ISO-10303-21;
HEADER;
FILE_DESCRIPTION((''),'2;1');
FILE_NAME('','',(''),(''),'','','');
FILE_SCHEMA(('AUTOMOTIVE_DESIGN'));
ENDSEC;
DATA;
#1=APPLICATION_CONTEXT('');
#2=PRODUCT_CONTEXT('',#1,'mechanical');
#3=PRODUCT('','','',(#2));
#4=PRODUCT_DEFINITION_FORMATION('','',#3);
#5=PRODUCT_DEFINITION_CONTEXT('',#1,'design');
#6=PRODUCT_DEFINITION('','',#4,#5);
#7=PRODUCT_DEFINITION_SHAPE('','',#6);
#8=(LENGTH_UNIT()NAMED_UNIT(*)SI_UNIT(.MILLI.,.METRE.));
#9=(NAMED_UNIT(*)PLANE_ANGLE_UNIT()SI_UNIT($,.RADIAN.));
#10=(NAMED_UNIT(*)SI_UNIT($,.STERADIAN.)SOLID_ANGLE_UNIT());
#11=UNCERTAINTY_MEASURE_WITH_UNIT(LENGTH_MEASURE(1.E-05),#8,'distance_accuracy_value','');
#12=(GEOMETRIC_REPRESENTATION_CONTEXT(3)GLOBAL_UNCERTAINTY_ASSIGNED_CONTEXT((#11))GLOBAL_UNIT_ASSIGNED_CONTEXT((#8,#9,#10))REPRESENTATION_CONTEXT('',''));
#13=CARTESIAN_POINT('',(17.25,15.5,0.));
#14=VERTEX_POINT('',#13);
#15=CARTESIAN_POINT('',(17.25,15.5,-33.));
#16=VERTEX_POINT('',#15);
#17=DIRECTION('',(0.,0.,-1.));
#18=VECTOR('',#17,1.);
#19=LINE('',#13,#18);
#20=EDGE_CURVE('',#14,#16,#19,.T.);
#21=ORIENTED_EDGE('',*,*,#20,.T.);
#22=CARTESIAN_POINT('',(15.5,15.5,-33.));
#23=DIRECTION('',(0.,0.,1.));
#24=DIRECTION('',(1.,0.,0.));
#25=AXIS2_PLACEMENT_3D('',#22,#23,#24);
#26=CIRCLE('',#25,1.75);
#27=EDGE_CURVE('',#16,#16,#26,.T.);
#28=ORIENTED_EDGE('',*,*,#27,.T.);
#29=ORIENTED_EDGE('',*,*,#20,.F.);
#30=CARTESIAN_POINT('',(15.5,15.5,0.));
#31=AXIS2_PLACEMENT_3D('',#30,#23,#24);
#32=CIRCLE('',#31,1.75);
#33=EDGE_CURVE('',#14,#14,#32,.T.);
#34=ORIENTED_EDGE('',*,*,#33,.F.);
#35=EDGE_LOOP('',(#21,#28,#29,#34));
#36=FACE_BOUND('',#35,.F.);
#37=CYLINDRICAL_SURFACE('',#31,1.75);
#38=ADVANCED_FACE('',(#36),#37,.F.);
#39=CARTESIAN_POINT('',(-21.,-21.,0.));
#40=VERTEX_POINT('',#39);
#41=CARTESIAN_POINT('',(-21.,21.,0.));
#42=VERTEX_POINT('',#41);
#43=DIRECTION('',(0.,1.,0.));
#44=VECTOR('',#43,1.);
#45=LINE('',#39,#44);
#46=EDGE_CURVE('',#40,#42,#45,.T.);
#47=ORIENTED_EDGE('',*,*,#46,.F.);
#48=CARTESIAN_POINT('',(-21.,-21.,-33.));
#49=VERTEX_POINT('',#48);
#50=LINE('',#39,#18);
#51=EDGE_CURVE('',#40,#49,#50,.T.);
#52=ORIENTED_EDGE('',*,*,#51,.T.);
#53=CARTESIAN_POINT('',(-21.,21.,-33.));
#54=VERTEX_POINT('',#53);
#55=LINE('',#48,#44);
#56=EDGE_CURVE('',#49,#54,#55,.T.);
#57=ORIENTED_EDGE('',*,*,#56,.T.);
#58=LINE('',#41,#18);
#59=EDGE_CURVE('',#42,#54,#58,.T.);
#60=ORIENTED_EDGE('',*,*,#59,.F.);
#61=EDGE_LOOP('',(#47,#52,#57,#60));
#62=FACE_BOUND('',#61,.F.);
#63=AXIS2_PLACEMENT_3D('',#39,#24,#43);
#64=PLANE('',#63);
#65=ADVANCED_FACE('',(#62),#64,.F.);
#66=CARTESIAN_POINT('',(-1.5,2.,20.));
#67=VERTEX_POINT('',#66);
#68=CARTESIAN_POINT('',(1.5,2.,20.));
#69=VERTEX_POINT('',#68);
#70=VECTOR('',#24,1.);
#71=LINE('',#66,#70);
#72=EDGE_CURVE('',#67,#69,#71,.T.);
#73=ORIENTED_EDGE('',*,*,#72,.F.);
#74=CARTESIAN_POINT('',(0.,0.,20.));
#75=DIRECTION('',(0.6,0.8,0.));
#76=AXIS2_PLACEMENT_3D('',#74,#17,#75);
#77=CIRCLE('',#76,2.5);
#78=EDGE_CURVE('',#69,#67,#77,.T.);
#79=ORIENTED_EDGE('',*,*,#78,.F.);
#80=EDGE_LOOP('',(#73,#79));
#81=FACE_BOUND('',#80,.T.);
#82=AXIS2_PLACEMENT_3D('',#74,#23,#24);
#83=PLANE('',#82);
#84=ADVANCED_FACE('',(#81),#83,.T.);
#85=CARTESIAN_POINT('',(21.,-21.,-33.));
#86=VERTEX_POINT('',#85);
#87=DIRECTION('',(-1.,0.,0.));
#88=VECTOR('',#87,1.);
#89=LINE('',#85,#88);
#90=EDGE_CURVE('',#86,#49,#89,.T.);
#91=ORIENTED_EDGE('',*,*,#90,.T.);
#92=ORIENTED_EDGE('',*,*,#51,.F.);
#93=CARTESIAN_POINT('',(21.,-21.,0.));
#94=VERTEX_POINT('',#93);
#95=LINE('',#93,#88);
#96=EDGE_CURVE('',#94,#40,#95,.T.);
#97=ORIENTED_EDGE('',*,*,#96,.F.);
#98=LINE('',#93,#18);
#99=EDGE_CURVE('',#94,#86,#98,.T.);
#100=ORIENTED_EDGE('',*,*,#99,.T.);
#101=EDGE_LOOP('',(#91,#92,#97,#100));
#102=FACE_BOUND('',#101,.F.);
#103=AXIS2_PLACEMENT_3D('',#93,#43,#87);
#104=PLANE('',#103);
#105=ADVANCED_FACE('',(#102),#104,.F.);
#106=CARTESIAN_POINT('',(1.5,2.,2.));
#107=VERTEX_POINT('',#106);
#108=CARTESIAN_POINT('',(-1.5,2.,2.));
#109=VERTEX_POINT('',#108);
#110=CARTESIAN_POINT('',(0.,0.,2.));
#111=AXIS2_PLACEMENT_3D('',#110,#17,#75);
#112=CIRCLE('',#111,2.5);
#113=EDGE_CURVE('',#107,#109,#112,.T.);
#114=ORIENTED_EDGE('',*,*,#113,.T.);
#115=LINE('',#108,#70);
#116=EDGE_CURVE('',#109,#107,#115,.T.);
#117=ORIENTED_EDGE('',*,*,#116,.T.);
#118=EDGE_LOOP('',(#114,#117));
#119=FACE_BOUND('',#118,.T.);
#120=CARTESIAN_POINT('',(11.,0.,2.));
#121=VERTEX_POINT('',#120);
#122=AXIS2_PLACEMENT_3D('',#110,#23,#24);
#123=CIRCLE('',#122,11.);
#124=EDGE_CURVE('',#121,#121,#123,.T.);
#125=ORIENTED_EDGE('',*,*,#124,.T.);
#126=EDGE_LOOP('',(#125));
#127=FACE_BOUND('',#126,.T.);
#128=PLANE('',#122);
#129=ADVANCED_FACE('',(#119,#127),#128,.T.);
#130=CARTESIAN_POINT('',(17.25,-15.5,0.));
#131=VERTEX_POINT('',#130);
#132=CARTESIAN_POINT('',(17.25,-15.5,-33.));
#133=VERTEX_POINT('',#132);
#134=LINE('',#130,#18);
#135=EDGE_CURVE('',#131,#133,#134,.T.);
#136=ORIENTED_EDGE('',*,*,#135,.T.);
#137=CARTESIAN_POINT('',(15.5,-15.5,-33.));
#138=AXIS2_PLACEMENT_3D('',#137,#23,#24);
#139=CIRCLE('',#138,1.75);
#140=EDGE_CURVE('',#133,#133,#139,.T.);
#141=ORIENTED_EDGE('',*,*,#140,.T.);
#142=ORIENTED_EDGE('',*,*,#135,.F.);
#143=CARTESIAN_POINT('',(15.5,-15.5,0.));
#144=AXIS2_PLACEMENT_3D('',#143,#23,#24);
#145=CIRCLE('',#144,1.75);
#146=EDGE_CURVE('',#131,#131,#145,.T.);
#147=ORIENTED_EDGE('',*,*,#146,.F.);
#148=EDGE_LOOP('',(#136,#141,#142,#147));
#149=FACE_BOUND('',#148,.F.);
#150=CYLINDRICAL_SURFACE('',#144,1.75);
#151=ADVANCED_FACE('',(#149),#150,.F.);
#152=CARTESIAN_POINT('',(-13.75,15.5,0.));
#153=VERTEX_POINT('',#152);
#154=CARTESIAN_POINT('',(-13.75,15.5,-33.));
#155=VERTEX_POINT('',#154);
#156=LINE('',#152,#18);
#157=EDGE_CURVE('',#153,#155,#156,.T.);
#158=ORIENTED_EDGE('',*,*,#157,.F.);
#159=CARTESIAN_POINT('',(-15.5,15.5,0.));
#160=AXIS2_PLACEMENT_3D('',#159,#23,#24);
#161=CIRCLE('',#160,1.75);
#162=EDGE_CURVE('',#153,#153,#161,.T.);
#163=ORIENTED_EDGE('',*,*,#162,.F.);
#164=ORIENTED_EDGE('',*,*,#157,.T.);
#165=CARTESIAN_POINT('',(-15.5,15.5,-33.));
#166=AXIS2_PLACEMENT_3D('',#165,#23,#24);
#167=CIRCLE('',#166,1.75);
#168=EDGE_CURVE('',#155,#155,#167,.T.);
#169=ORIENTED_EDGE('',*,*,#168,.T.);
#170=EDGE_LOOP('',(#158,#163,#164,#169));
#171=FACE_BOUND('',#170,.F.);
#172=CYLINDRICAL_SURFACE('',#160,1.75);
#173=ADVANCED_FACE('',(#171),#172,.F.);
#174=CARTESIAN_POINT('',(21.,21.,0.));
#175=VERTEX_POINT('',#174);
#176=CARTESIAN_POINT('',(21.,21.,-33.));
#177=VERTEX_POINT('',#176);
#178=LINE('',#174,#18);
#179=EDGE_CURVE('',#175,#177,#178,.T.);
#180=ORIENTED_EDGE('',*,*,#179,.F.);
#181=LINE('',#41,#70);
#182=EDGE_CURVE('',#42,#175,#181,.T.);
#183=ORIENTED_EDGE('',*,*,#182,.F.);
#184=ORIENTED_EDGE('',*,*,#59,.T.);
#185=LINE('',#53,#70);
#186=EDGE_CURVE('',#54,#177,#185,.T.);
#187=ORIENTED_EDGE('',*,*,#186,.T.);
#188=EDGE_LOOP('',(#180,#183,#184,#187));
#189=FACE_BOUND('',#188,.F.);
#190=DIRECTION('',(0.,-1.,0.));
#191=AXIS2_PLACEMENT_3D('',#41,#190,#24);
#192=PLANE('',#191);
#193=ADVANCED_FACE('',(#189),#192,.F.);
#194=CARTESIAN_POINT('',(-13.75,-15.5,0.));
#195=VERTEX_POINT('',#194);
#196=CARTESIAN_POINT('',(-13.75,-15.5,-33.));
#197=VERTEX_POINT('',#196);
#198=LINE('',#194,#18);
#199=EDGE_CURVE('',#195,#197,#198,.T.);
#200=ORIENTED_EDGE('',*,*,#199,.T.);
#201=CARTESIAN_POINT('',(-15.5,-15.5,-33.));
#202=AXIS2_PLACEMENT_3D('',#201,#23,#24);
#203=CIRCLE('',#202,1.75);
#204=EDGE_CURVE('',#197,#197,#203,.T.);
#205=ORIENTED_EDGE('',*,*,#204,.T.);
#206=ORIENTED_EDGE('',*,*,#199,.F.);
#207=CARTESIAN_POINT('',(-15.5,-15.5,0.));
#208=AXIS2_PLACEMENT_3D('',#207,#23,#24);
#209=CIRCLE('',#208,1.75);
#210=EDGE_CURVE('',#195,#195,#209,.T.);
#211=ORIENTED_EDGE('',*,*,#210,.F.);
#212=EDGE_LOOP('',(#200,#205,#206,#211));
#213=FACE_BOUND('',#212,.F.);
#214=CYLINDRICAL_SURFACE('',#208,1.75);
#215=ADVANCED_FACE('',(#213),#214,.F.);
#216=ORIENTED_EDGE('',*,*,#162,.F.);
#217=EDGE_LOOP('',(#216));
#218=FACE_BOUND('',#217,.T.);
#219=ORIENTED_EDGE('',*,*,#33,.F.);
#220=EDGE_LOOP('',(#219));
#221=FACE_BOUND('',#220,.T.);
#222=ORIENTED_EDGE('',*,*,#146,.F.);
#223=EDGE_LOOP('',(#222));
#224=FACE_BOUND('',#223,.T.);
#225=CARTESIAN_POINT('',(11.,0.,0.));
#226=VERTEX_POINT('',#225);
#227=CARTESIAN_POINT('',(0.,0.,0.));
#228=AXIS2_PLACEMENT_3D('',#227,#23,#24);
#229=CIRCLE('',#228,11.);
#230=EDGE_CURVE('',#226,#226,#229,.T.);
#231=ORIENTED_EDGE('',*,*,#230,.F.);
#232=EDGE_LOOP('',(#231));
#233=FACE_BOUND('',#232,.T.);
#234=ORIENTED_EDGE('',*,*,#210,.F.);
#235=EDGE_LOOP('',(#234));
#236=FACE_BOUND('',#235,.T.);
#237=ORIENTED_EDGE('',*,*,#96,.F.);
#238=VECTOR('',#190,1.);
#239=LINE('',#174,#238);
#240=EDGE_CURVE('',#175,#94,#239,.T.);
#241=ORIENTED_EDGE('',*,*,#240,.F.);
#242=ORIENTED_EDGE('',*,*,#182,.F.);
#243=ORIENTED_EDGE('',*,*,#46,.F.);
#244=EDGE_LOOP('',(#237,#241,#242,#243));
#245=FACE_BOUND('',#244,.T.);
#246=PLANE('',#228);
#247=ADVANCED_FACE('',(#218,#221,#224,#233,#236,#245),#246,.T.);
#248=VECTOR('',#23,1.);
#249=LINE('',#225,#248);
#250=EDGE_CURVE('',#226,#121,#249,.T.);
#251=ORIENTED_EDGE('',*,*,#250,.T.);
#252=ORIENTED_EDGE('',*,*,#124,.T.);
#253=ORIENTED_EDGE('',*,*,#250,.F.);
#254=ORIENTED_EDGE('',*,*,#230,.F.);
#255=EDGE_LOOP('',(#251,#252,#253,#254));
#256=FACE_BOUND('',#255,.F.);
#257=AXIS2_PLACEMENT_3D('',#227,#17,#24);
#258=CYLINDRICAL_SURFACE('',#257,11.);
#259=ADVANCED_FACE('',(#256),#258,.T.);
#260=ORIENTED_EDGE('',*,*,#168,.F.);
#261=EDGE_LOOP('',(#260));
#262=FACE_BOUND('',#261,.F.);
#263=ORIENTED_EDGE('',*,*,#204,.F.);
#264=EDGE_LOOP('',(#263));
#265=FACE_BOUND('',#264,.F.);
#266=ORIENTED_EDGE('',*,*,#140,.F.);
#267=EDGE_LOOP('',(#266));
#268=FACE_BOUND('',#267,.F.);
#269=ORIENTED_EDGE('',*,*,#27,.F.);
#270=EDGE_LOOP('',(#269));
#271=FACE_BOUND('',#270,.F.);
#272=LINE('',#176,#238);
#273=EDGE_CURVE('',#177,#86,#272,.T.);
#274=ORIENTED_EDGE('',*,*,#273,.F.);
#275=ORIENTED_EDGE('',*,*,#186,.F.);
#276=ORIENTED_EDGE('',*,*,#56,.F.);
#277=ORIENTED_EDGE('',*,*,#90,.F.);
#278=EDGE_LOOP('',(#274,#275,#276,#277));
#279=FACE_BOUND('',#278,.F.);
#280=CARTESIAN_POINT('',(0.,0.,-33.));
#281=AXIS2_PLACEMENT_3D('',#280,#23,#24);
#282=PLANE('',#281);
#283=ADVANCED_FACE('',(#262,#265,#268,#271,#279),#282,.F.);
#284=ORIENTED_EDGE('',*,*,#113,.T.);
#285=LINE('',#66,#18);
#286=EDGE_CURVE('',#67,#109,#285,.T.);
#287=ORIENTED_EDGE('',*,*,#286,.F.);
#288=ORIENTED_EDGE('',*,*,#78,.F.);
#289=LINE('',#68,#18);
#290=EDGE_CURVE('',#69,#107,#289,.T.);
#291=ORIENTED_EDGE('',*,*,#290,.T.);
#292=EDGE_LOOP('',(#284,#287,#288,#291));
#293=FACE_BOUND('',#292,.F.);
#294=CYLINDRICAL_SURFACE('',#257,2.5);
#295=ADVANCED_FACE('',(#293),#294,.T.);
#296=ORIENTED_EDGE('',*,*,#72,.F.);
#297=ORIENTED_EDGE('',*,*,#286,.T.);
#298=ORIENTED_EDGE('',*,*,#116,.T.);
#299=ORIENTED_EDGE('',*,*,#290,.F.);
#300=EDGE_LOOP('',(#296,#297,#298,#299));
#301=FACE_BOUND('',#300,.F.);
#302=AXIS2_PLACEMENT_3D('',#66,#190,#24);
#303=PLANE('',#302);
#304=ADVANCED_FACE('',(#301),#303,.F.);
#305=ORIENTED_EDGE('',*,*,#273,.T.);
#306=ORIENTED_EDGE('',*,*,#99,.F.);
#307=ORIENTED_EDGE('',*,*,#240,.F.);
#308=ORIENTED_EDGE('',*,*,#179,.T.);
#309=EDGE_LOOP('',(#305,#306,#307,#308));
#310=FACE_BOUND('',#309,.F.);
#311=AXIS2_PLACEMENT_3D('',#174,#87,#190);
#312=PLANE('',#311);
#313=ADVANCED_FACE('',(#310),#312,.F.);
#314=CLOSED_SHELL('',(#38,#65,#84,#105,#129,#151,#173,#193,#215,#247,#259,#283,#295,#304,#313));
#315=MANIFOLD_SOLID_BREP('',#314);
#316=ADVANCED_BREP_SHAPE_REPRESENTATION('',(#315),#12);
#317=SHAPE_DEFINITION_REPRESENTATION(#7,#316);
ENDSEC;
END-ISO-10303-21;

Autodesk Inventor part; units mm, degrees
ref_plane "YZ Plane" through (0, 0, 0) normal (1, 0, 0) x (0, 1, 0)
ref_plane "XZ Plane" through (0, 0, 0) normal (0, 1, 0) x (-1, 0, 0)
ref_plane "XY Plane" through (0, 0, 0) normal (0, 0, 1) x (1, 0, 0)
sketch "Sketch1" plane through (0, 0, 0) normal (0, 0, 1) x (1, 0, 0)
  circle A0 centre (0, 0) radius 2.5
  line L0 (-15.5, 15.5) -> (15.5, 15.5) construction
  line L1 (15.5, 15.5) -> (15.5, -15.5) construction
  line L2 (15.5, -15.5) -> (-15.5, -15.5) construction
  line L3 (-15.5, -15.5) -> (-15.5, 15.5) construction
  line L4 (-15.5, 15.5) -> (15.5, -15.5) construction
  circle A1 centre (-15.5, 15.5) radius 1.75
  circle A2 centre (15.5, 15.5) radius 1.75
  circle A3 centre (15.5, -15.5) radius 1.75
  circle A4 centre (-15.5, -15.5) radius 1.75
  line L5 (-21, 21) -> (21, 21)
  line L6 (21, 21) -> (21, -21)
  line L7 (21, -21) -> (-21, -21)
  line L8 (-21, -21) -> (-21, 21)
  line L9 (-21, -21) -> (21, 21) construction
  dimension "d0" = 5
  dimension "d1" = 31
  dimension "d2" = 3.5
  dimension "d3" = 42
extrude "Extrusion1" add sketch "Sketch1" against normal blind 33 contours A0 | L5 L6 L7 L8
extrude "Extrusion2" add sketch "Sketch1" along normal blind 20 contours A0
sketch "Sketch2" plane through (0, 0, 0) normal (0, 0, 1) x (1, 0, 0)
  circle A0 centre (0, 0) radius 11
  dimension "d8" = 22
extrude "Extrusion3" add sketch "Sketch2" along normal blind 2
sketch "Sketch3" plane through (0, 0, 20) normal (0, 0, 1) x (1, 0, 0)
  circle A0 centre (0, 0) radius 2.5 projected
  line L0 (-1.5, 2) -> (1.5, 2)
  circle A1 centre (0, 0) radius 2.5 projected
  arc A2 (1.5, 2) -> (-1.5, 2) centre (0, 0) ccw
  dimension "d11" = 4.5
extrude "Extrusion4" cut sketch "Sketch3" against normal up to surface (18 mm away) contours L0 A0 picked at (-0.3466, 2.0912)
sketch "Sketch4" plane through (0, 0, 0) normal (0, 0, 1) x (1, 0, 0)
  circle A0 centre (-15.5, 15.5) radius 1.75 projected
  circle A1 centre (-15.5, 15.5) radius 3
  circle A2 centre (15.5, 15.5) radius 1.75 projected
  circle A3 centre (15.5, 15.5) radius 3
  point P0 (0, 0)
  dimension "d14" = 6
  dimension "d15" = 6
properties part number "stepper"
